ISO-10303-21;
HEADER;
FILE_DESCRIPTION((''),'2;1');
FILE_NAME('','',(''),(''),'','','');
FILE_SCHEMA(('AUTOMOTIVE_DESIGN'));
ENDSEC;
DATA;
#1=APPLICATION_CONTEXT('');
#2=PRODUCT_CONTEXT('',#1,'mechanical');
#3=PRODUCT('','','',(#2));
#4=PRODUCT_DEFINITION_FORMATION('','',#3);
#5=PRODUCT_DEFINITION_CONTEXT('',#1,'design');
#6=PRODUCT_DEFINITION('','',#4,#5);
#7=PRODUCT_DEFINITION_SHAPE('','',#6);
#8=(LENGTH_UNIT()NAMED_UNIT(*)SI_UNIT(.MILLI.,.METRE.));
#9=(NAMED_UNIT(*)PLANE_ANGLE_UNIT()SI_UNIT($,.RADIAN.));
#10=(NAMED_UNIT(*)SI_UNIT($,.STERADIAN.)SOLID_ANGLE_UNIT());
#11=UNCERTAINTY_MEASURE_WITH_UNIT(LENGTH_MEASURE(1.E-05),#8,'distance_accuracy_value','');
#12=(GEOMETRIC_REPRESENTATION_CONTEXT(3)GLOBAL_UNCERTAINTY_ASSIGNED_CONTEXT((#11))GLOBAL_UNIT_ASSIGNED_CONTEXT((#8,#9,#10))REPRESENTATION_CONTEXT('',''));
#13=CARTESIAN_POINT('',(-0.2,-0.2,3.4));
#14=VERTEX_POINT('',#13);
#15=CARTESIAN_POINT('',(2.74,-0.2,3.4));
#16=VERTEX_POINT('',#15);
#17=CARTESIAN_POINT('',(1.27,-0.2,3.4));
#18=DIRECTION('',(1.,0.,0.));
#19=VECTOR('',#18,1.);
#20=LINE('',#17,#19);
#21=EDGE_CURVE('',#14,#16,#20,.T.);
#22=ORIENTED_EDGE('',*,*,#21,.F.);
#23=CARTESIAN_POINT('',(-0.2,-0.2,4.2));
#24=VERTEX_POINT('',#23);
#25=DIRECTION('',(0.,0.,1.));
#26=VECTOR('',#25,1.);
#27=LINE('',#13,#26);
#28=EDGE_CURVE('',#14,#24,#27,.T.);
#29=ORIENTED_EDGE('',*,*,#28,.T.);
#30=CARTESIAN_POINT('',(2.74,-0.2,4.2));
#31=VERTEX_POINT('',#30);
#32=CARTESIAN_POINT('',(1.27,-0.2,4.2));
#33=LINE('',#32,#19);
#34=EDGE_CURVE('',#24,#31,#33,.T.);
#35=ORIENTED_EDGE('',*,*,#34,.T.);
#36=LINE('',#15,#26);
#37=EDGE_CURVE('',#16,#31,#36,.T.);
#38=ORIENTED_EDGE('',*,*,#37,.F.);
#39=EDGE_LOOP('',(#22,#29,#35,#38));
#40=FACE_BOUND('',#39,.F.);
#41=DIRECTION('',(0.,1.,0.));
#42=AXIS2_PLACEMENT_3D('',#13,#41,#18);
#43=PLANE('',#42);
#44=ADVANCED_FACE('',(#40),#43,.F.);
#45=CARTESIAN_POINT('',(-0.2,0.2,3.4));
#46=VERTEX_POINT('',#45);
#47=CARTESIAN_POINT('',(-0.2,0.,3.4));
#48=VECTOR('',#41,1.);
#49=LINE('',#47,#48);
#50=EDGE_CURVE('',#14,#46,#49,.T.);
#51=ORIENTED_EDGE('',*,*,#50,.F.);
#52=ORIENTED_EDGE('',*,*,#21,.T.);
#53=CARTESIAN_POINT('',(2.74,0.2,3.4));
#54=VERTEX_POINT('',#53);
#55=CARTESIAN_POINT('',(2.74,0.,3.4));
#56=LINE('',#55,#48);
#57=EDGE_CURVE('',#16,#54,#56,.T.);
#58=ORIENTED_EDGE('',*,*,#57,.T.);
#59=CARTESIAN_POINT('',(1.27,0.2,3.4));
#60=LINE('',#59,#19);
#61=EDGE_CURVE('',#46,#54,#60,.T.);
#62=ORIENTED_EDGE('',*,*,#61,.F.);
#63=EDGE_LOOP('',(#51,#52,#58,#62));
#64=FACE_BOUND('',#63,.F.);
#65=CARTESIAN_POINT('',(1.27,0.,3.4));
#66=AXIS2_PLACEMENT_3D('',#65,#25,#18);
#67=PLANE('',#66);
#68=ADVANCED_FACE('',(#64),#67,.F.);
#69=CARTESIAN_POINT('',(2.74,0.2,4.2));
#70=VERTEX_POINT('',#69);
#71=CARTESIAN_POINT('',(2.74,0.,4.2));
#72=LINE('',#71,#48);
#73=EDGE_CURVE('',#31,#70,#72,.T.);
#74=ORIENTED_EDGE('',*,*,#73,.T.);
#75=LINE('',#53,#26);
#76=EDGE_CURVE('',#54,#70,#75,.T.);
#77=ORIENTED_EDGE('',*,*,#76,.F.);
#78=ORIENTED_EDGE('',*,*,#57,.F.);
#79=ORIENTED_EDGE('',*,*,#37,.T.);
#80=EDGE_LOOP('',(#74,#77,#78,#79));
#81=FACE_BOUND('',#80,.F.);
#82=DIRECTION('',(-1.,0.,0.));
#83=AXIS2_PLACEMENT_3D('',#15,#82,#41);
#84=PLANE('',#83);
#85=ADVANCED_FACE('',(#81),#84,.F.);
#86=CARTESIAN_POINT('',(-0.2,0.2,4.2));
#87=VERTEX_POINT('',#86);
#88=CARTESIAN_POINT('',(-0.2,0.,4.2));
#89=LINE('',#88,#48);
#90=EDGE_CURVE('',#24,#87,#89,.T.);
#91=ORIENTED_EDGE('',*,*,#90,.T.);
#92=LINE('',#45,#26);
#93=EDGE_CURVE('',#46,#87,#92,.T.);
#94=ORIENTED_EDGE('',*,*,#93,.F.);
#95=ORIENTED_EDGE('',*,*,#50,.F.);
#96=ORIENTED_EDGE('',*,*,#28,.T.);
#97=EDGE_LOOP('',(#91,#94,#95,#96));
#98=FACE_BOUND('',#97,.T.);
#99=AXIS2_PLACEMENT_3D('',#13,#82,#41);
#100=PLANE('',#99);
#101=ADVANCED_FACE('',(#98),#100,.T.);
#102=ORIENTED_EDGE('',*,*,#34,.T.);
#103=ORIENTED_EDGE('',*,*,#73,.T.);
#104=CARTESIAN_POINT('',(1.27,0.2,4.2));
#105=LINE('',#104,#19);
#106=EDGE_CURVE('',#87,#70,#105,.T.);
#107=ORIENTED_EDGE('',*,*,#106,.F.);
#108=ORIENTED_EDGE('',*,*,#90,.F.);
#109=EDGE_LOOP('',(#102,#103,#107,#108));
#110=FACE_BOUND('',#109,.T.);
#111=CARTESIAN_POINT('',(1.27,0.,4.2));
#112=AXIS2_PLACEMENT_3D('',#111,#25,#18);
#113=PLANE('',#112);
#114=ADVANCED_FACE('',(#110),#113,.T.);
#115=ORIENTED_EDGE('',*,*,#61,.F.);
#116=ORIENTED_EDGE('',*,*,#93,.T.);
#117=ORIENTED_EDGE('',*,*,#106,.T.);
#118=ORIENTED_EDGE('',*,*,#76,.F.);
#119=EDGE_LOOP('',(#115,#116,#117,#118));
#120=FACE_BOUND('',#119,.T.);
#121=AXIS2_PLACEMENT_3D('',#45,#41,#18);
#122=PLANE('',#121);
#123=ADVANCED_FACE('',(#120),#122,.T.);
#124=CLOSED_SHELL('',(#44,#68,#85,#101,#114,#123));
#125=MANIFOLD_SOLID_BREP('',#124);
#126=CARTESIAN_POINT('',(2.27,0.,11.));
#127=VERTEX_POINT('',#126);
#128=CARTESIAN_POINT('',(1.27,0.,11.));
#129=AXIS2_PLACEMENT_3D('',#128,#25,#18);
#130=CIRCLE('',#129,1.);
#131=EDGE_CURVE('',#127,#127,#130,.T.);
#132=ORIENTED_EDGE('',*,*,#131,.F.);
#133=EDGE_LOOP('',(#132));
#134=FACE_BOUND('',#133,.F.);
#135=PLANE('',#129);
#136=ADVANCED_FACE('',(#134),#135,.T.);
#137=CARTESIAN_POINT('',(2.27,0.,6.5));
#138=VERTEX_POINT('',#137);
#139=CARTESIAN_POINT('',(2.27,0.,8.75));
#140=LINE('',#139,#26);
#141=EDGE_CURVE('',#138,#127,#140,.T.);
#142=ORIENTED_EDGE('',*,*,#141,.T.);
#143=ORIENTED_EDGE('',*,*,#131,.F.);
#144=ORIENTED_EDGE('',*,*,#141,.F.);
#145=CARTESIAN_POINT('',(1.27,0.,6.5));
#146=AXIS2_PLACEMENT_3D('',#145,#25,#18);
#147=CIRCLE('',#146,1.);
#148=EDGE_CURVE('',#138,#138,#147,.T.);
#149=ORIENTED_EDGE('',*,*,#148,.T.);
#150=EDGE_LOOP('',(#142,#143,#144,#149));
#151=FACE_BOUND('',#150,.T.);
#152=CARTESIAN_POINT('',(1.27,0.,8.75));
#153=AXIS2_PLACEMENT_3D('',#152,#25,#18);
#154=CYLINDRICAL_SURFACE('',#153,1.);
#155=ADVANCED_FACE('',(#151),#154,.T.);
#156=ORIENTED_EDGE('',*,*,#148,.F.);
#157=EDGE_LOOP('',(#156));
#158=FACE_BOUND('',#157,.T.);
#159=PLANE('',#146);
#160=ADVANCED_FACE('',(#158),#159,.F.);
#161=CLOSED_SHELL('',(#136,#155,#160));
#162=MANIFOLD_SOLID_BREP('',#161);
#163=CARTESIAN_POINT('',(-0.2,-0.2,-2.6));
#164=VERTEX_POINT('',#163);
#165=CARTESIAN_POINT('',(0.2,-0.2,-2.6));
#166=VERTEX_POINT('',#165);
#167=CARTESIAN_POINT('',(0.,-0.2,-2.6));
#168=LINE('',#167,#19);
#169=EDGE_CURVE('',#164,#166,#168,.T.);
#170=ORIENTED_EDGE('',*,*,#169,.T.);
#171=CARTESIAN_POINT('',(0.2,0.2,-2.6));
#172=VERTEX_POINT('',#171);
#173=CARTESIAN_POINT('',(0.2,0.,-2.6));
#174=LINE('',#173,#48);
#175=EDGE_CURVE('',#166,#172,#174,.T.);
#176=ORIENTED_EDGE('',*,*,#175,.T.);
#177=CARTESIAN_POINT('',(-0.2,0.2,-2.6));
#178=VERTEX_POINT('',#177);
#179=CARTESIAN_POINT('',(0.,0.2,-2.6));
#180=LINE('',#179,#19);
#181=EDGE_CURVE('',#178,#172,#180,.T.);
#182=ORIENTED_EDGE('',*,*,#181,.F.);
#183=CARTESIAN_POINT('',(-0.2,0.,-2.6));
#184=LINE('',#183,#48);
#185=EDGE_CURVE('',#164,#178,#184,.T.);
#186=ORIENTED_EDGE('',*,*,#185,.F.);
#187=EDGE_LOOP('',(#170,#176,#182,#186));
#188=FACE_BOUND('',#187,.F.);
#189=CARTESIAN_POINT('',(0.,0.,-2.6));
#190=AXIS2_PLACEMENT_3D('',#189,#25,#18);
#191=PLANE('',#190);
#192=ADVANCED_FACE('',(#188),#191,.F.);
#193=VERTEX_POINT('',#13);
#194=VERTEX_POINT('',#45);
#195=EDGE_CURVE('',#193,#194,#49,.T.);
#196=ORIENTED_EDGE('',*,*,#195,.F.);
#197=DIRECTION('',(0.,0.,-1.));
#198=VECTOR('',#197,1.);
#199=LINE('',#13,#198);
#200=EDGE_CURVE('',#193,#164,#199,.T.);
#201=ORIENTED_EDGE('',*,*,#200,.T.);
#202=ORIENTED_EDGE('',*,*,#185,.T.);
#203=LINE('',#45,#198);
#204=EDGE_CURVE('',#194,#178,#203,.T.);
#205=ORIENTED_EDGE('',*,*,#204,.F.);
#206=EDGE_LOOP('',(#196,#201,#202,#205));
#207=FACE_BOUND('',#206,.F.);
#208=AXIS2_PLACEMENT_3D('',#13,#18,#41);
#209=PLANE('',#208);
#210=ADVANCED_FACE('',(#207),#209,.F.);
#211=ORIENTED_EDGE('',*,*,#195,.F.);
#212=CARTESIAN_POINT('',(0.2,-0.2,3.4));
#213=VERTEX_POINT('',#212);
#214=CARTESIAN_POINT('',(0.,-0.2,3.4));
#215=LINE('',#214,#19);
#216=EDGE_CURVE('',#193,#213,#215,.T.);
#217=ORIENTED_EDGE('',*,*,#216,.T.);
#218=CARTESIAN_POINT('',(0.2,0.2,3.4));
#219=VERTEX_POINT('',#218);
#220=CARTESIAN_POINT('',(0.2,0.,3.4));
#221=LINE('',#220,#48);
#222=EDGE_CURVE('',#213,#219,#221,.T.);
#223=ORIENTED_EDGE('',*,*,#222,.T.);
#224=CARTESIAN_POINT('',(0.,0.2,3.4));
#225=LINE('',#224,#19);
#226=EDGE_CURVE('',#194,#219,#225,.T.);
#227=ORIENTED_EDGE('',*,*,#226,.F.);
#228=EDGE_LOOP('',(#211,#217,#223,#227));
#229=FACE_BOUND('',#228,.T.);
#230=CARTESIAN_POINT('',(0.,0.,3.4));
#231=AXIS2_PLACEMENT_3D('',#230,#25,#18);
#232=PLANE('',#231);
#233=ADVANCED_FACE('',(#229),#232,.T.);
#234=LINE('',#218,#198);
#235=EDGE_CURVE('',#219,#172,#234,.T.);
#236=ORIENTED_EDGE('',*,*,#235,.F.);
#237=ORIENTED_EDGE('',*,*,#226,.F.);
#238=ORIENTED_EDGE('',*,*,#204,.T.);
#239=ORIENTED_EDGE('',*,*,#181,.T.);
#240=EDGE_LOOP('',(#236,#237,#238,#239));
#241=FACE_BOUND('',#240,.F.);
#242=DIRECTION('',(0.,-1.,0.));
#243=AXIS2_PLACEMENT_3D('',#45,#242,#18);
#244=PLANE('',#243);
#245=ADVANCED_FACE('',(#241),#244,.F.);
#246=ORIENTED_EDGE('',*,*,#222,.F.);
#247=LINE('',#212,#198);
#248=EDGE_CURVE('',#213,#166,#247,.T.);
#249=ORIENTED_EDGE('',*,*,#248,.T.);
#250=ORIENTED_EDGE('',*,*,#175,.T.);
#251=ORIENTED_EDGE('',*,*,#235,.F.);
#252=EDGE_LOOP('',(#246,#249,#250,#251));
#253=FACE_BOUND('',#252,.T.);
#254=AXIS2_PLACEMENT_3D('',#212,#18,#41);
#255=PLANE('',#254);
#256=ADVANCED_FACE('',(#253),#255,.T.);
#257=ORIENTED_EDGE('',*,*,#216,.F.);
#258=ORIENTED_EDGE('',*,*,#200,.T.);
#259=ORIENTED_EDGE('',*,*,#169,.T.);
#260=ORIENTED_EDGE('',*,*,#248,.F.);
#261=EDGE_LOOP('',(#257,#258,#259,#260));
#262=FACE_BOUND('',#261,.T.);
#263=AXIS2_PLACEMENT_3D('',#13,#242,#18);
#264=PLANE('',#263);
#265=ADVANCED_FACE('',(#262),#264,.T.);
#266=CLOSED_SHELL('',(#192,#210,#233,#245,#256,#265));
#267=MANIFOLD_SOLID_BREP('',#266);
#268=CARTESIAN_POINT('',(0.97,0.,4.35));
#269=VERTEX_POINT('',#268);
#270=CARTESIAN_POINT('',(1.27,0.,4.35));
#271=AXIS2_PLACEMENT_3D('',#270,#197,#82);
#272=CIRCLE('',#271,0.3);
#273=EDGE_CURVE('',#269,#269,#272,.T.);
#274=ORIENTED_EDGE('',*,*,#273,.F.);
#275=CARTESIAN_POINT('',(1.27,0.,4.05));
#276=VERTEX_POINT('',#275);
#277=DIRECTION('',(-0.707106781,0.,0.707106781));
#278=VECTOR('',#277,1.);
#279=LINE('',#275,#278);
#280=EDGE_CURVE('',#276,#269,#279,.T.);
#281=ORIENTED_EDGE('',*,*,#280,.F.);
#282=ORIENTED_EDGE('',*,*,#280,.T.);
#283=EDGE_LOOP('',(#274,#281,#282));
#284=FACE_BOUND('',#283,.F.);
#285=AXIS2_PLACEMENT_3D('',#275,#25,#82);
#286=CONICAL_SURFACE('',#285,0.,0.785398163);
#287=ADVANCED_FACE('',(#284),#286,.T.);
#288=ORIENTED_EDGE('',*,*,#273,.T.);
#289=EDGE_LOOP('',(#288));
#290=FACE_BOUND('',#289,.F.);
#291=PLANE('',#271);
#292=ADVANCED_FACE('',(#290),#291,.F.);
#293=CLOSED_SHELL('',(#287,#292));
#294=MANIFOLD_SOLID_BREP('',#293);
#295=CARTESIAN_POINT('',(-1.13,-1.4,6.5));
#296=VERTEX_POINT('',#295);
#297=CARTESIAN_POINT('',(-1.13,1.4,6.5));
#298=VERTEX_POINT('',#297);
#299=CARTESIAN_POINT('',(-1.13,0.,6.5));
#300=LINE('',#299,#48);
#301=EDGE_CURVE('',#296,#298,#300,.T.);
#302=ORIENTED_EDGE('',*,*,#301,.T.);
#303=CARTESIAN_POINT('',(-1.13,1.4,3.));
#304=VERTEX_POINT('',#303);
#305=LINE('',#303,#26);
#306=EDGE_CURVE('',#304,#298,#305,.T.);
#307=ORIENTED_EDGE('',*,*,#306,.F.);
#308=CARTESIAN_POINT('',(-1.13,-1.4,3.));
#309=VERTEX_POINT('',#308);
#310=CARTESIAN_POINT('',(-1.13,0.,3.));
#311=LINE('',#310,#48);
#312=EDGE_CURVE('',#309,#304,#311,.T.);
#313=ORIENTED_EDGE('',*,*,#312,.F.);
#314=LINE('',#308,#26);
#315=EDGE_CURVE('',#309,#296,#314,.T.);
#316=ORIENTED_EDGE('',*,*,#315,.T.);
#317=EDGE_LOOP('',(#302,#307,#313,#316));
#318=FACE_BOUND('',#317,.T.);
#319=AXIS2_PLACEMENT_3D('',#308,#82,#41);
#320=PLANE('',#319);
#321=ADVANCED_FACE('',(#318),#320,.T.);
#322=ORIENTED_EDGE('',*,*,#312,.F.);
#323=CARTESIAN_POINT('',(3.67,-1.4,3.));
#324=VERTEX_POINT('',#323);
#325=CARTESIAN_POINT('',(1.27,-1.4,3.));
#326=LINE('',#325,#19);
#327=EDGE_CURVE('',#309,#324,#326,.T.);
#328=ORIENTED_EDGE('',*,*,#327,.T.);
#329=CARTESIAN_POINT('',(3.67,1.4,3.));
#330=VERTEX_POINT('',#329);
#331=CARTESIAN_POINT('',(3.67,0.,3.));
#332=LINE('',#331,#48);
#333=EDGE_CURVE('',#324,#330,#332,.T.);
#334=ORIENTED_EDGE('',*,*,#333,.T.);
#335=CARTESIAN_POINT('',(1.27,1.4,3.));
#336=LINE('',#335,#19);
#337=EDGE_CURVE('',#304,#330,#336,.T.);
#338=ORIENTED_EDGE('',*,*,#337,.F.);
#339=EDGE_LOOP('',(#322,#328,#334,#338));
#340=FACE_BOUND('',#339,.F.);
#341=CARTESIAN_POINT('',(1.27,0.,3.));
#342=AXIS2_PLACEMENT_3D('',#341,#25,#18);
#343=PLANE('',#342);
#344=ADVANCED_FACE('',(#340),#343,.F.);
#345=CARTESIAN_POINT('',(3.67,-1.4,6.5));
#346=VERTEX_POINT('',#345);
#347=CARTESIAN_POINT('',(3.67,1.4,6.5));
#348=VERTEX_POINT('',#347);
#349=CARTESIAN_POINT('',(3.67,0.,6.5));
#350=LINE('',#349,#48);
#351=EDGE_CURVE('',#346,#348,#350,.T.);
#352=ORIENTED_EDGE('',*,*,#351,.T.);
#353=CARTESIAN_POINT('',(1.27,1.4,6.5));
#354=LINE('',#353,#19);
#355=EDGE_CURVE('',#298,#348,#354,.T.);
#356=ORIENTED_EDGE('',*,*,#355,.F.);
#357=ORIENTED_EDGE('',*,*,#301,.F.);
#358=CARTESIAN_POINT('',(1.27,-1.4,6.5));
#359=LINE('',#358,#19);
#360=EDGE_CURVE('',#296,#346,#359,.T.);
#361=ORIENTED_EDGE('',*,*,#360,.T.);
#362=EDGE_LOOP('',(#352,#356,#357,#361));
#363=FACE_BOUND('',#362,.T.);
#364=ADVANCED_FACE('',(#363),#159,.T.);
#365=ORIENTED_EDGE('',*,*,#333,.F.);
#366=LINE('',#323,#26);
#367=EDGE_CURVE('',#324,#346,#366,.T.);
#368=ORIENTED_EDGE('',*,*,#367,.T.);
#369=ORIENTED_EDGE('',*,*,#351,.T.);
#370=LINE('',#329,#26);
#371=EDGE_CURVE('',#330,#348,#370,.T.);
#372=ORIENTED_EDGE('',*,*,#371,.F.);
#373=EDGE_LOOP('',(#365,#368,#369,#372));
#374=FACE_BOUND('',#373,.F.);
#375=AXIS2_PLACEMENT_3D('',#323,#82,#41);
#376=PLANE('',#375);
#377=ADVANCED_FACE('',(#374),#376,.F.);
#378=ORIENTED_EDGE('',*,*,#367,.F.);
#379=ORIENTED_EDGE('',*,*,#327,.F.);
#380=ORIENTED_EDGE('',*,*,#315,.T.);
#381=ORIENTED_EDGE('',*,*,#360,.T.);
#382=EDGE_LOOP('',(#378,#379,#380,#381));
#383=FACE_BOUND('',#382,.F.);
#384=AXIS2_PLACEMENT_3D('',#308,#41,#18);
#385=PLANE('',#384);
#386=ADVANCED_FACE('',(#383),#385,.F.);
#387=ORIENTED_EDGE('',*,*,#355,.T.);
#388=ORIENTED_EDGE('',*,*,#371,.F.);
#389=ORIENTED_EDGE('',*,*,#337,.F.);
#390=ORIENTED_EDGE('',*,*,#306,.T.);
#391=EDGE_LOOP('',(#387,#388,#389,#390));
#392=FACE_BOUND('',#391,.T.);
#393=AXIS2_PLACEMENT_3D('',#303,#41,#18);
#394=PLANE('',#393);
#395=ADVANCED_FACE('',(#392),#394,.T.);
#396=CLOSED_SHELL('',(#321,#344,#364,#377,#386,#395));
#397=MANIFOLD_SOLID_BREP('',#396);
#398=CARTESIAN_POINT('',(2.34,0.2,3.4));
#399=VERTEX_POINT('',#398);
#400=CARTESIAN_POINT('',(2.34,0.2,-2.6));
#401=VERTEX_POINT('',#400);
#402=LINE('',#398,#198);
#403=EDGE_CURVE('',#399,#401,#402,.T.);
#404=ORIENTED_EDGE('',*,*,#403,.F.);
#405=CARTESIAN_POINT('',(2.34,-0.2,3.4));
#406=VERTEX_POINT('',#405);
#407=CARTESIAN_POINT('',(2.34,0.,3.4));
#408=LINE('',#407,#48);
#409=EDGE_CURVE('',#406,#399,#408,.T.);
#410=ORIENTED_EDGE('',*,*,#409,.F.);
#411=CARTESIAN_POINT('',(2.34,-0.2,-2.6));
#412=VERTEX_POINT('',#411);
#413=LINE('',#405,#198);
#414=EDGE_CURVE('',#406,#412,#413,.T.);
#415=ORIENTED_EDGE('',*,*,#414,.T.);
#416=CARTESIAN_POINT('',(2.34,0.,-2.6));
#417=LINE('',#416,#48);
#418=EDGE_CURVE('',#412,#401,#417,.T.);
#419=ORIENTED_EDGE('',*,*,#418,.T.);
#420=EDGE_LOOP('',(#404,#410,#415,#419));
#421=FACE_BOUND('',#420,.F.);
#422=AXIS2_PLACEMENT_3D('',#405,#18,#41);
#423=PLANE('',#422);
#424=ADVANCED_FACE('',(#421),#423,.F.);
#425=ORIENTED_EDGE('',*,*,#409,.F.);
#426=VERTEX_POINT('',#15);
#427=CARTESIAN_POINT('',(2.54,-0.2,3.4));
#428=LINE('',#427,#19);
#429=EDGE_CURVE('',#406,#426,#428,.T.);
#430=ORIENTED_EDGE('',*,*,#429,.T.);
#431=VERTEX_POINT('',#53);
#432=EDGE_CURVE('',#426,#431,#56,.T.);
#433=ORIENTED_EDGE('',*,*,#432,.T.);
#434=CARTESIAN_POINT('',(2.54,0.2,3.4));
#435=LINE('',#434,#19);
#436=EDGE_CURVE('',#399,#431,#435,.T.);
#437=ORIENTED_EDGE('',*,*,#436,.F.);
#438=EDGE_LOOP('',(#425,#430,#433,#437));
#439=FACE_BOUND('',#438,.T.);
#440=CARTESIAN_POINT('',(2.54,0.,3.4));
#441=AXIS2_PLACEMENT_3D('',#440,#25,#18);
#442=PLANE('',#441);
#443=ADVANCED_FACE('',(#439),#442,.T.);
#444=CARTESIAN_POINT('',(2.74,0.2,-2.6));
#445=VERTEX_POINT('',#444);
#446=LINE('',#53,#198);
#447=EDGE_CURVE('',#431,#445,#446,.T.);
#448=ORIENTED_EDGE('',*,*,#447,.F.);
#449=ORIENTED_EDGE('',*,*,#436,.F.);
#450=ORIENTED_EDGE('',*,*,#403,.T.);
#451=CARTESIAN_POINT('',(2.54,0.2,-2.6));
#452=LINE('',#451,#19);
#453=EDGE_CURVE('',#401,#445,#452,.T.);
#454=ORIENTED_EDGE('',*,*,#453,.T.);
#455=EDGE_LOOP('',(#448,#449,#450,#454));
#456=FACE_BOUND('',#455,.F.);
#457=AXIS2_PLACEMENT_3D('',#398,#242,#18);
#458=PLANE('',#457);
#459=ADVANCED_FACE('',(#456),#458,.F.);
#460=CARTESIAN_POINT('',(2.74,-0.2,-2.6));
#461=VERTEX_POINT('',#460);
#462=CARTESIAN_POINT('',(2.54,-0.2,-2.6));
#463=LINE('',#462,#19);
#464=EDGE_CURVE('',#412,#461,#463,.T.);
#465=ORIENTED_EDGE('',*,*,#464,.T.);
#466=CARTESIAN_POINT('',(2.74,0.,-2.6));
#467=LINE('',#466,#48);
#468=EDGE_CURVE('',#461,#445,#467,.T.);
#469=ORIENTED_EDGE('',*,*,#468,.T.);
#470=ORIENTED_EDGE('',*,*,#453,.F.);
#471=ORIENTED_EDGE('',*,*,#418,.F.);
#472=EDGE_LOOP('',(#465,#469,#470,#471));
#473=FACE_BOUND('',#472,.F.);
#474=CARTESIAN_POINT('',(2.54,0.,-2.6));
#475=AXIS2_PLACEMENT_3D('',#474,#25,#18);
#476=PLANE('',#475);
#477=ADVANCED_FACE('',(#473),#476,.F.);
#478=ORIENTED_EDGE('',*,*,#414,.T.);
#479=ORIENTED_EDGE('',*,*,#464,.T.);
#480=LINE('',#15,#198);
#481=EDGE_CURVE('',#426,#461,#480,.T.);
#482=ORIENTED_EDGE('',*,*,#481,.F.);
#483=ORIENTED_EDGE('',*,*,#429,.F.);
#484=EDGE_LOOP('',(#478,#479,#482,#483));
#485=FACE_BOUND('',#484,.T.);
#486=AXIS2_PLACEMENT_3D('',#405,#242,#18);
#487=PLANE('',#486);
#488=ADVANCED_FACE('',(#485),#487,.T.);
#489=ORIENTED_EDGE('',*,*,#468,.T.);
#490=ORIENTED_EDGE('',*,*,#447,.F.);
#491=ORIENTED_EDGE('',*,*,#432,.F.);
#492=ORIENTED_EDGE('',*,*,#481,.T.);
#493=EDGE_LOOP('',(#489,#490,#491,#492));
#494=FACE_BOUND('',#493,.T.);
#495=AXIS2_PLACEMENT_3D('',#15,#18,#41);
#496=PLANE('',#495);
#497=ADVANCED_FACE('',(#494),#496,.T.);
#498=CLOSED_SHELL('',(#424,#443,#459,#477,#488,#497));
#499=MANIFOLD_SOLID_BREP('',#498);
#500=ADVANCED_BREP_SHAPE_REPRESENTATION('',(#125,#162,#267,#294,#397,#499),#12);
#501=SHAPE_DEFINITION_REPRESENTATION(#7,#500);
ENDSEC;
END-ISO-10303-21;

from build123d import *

# Parameters (mm, degrees)
SKETCH_W     = 1
SKETCH_H     = 4.5
SKETCH001_W  = 4.8
SKETCH001_H  = 2.8
PAD_DEPTH    = 3.5
SKETCH002_W  = 0.4
SKETCH002_H  = 0.4
PAD001_DEPTH = 6
SKETCH003_W  = 2.94
SKETCH003_H  = 0.4
PAD002_DEPTH = 0.8


with BuildPart() as revolution:
    # Sketch → Revolution (revolve)
    with BuildSketch(Plane(origin=(1.27, 0, 0), x_dir=(1, 0, 0), z_dir=(0, -1, 0))):
        with Locations((0.5, 8.75)):
            Rectangle(SKETCH_W, SKETCH_H)
    revolve(axis=Axis((1.27, 0, 0), (0, 0, 1)))


with BuildPart() as pad:
    # Sketch001 → Pad (new body)
    with BuildSketch(Plane(origin=(1.27, 0, 3), x_dir=(1, 0, 0), z_dir=(0, 0, 1))):
        Rectangle(SKETCH001_W, SKETCH001_H)
    extrude(amount=PAD_DEPTH)


with BuildPart() as pad001:
    # Sketch002 → Pad001 (new body)
    with BuildSketch(Plane.XY.offset(3.4)):
        Rectangle(SKETCH002_W, SKETCH002_H)
        with Locations((2.54, 0)):
            Rectangle(SKETCH002_W, SKETCH002_H)
    extrude(amount=-PAD001_DEPTH)


with BuildPart() as pad002:
    # Sketch003 → Pad002 (new body)
    with BuildSketch(Plane.XY.offset(3.4)):
        with Locations((1.27, 0)):
            Rectangle(SKETCH003_W, SKETCH003_H)
    extrude(amount=PAD002_DEPTH)


with BuildPart() as revolution001:
    # Sketch004 → Revolution001 (revolve)
    with BuildSketch(Plane.XZ):
        Polygon((1.27, 4.05), (0.97, 4.35), (1.27, 4.35), align=None)
    revolve(axis=Axis((1.27, 0, 5.374987), (0, 0, -1)))


solid = Compound([revolution.part, pad.part, pad001.part, pad002.part, revolution001.part])
